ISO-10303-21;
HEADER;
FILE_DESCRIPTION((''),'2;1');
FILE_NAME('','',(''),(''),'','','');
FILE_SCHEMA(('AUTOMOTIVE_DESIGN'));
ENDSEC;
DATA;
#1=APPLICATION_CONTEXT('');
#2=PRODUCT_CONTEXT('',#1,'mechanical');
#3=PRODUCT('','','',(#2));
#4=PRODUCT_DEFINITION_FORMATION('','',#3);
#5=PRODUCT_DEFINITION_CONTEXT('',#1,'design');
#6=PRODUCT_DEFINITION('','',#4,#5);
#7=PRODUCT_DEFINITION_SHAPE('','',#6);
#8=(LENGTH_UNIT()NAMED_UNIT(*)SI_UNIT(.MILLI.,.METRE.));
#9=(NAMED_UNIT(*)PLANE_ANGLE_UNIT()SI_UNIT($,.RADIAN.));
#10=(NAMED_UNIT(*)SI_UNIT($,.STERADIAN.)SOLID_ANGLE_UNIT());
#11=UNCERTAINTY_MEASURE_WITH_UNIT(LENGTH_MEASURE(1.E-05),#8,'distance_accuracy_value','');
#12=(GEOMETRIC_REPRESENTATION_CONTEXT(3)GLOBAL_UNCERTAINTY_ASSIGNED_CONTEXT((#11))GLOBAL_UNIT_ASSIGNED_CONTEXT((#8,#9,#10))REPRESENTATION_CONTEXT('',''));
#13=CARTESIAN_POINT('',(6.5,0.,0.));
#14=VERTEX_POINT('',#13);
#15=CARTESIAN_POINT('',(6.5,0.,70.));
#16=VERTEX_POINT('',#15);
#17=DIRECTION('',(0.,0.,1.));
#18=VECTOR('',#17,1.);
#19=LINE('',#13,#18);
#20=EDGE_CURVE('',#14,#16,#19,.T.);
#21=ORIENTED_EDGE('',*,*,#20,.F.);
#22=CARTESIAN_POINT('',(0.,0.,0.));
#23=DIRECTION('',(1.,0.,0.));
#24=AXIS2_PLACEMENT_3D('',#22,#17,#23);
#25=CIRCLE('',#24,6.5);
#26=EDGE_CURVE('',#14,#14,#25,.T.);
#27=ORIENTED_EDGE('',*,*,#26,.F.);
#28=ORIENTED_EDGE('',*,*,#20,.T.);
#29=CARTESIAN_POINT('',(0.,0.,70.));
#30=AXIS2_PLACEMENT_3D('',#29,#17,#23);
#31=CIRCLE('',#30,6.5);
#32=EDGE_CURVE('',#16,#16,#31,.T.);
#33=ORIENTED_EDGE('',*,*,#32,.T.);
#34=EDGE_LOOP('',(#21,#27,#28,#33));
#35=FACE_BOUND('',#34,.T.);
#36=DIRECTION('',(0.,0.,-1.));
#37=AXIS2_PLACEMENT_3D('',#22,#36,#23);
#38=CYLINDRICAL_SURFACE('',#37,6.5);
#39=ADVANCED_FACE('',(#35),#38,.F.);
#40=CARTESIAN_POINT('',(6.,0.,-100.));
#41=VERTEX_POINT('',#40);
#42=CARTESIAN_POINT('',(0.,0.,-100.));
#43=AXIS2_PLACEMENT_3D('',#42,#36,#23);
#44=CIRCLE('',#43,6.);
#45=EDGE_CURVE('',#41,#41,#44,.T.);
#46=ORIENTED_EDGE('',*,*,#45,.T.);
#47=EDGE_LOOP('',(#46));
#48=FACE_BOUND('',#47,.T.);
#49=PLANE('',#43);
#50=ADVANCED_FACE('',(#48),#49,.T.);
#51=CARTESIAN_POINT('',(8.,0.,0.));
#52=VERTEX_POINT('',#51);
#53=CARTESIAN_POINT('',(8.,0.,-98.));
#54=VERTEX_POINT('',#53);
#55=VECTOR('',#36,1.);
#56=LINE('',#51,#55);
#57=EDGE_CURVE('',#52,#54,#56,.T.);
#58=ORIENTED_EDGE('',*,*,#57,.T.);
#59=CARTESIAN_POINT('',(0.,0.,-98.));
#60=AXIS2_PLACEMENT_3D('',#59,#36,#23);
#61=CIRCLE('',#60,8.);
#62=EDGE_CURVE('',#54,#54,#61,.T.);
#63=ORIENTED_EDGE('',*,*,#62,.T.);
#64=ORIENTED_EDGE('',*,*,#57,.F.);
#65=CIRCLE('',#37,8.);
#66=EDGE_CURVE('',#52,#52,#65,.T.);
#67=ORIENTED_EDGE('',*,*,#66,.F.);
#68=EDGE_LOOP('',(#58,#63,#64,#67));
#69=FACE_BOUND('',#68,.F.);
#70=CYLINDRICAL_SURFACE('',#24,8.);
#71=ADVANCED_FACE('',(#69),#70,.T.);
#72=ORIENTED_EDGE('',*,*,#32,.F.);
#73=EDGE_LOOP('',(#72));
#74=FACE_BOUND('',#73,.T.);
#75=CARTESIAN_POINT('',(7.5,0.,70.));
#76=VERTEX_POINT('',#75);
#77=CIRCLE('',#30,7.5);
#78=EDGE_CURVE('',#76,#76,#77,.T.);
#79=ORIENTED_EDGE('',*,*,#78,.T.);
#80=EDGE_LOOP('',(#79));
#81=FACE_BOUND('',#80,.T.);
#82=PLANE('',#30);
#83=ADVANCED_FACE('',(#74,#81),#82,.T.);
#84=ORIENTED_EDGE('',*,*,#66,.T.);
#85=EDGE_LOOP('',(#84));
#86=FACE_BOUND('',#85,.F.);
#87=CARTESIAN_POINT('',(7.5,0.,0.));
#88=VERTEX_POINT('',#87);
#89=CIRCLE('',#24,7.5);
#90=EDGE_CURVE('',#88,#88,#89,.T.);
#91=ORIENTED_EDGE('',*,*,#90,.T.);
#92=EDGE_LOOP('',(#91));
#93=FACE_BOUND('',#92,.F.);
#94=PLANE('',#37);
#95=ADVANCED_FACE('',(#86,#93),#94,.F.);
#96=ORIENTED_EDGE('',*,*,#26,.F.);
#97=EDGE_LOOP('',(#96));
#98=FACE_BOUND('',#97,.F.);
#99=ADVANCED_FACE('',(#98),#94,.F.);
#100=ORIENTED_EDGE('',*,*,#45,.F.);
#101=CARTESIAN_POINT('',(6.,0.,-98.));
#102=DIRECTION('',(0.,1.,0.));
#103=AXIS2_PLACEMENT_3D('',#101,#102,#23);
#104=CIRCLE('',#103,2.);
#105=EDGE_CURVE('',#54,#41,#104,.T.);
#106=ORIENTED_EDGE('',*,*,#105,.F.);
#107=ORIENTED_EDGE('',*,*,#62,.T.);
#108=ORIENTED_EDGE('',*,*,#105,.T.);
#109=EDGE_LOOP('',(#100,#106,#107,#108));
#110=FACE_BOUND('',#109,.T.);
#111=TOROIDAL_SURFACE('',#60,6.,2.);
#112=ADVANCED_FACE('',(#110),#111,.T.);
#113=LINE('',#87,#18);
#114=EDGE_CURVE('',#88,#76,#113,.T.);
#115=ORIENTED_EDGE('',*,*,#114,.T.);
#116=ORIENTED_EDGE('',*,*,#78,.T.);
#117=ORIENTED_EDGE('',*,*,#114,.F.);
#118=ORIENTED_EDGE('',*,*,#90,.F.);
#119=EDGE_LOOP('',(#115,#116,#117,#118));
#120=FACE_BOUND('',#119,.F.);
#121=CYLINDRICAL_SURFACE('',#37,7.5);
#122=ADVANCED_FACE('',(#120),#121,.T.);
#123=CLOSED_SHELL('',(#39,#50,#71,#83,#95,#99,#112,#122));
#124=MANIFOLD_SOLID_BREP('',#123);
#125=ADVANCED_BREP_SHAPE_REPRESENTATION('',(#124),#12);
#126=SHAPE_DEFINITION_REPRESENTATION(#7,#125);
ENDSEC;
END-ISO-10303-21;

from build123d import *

# Parameters (mm, degrees)
F0_R     = 7.5
F0_R_2   = 6.5
F1_DEPTH = 70
F2_R     = 8
F3_DEPTH = 100
F4_R     = 2


with BuildPart() as f1:
    # F0 (on Top) → F1 (new body)
    with BuildSketch(Plane.XY):
        Circle(F0_R)
        Circle(F0_R_2, mode=Mode.SUBTRACT)
    extrude(amount=F1_DEPTH)

    # F2 (on face) → F3 (join)
    with BuildSketch(Plane(origin=(0, 0, 0), x_dir=(1, 0, 0), z_dir=(0, 0, -1))):
        Circle(F2_R)
    extrude(amount=F3_DEPTH)

    # F4
    f4_edges = [f1.edges().sort_by_distance(p)[0] for p in [
        (-8, 0, -100),
    ]]
    fillet(f4_edges, radius=F4_R)


solid = f1.part
